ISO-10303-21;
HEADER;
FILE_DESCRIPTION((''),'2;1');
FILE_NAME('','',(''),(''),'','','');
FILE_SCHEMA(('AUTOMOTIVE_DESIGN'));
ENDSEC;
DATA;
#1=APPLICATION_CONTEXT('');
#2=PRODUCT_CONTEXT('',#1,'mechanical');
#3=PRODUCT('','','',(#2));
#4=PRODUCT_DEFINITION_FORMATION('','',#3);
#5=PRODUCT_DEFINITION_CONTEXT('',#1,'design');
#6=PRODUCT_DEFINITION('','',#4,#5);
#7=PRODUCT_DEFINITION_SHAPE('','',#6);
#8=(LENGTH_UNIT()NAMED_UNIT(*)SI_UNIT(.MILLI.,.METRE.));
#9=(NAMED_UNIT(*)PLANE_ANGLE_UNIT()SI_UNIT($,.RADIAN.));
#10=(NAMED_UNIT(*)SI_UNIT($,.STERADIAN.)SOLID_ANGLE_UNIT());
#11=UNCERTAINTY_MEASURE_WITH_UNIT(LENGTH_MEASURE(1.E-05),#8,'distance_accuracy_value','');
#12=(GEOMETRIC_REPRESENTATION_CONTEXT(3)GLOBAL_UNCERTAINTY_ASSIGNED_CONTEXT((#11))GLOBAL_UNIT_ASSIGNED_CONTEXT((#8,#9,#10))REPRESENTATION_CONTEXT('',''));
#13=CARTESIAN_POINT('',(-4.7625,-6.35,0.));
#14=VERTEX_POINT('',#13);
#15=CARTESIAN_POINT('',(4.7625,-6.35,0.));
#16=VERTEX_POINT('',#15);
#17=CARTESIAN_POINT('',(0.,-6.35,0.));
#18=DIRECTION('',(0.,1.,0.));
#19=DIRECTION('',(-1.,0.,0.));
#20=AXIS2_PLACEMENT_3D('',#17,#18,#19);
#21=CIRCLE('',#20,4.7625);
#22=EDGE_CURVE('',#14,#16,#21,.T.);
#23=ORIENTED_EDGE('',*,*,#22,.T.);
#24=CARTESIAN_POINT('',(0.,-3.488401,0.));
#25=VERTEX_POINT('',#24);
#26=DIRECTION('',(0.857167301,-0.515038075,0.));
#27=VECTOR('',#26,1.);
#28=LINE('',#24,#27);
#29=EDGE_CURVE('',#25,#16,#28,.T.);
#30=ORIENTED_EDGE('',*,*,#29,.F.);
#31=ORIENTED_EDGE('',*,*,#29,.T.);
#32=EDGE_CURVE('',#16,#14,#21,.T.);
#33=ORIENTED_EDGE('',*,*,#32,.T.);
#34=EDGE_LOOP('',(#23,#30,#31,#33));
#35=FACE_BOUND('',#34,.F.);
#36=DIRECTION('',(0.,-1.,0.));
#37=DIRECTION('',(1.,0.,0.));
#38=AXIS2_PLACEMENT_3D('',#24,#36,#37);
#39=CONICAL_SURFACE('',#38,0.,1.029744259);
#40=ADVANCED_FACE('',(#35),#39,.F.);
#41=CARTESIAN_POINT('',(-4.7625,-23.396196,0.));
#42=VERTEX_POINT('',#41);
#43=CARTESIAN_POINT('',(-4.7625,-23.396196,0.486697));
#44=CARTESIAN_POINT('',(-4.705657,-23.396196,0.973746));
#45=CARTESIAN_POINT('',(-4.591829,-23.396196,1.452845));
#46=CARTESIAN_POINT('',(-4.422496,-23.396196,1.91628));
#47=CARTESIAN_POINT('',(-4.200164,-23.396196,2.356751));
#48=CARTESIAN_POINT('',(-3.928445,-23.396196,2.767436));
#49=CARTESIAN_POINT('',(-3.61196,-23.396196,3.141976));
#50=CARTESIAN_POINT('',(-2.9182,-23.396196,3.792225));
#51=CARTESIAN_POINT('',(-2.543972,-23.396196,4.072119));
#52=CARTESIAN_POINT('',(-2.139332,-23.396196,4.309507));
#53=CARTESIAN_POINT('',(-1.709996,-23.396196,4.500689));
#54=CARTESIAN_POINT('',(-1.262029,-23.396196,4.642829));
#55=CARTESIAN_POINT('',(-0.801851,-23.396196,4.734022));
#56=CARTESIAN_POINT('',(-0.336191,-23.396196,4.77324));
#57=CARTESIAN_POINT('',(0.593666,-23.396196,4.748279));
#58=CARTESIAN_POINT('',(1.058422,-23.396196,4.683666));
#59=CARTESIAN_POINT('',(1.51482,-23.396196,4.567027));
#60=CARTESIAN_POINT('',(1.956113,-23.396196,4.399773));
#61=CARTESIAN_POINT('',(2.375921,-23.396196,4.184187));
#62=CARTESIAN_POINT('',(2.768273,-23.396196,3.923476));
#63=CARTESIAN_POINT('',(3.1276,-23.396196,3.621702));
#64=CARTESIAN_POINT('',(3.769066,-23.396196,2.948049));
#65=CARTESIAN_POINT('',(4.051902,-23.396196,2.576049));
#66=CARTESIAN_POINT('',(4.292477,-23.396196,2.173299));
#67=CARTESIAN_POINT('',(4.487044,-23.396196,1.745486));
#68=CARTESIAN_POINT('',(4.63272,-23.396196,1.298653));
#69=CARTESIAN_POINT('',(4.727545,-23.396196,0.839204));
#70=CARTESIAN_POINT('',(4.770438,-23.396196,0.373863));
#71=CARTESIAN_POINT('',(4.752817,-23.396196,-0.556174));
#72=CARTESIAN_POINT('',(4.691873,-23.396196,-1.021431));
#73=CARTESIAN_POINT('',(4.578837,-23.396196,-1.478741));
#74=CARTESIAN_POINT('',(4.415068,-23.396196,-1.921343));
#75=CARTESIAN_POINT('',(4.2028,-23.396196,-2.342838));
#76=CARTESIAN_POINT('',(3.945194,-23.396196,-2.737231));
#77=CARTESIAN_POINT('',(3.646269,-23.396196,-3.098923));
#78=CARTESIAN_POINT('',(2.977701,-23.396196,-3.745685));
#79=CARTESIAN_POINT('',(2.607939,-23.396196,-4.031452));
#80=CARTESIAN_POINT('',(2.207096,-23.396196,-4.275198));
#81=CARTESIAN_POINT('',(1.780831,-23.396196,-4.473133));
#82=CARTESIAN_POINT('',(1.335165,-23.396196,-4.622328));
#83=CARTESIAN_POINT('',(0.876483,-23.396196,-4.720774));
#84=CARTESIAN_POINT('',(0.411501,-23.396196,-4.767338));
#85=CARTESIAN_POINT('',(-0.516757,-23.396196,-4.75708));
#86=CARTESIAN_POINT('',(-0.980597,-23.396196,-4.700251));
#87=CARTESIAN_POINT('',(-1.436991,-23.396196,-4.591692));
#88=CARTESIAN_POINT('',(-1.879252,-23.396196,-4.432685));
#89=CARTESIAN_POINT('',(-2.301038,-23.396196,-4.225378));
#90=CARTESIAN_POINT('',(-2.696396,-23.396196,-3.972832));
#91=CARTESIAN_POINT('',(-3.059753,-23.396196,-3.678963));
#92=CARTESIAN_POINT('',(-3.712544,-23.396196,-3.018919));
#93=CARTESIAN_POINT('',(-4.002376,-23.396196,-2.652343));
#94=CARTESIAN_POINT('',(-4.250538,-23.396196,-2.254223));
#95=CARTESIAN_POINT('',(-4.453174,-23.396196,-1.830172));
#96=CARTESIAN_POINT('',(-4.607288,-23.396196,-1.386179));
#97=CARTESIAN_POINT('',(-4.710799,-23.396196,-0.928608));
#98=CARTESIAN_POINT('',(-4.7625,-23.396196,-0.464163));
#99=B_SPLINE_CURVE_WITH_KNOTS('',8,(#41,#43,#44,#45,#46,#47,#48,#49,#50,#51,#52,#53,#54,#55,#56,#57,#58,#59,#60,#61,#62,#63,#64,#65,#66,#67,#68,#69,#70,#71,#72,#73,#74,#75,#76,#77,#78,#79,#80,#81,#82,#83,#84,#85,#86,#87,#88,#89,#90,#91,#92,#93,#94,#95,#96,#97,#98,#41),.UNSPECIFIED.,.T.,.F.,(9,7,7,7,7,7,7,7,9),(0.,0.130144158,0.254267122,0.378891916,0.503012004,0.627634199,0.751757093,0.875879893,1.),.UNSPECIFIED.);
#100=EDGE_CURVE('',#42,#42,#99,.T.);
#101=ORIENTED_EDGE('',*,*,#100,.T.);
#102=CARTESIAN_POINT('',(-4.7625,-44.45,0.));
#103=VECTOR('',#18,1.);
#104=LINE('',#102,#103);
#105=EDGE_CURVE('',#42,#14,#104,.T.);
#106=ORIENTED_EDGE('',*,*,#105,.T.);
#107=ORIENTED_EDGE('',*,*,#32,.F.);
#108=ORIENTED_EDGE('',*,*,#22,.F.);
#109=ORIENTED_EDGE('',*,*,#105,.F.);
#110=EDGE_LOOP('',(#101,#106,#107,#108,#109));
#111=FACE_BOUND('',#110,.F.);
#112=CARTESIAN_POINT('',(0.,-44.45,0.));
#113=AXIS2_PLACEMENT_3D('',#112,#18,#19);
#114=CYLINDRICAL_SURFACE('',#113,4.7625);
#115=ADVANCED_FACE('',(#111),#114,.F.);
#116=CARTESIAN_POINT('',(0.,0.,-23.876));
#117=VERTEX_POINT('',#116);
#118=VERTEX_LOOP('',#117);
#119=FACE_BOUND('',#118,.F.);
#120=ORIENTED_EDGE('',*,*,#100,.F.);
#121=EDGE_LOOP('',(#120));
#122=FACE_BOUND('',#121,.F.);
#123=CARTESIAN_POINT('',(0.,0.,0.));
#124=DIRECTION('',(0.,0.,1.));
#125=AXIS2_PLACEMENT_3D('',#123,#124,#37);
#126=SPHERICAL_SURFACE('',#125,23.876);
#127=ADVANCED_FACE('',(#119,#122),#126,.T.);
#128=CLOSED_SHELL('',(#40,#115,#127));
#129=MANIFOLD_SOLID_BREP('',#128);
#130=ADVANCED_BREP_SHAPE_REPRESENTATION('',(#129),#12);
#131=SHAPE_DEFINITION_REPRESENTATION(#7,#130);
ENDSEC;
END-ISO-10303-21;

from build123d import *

# Parameters (mm, degrees)
F4_D     = 9.525
F4_DEPTH = 19.05
F4_TIP   = 2.8615986981


with BuildPart() as f1:
    # F0 (on Front) → F1 (revolve)
    with BuildSketch(Plane.XZ):
        with BuildLine():
            Line((0, 23.876), (0, -23.876))
            ThreePointArc((0, -23.876), (23.876, 0), (0, 23.876))
        make_face()
    revolve(axis=Axis((0, 0, 0), (0, 0, -1)))

    # F4
    with Locations(Plane.XZ.offset(25.4)):
        with Locations((0, 0)):
            Hole(F4_D / 2, depth=F4_DEPTH)
            with Locations((0, 0, -(F4_DEPTH + F4_TIP / 2))):  # 118° drill point
                Cone(0, F4_D / 2, F4_TIP, mode=Mode.SUBTRACT)


solid = f1.part
